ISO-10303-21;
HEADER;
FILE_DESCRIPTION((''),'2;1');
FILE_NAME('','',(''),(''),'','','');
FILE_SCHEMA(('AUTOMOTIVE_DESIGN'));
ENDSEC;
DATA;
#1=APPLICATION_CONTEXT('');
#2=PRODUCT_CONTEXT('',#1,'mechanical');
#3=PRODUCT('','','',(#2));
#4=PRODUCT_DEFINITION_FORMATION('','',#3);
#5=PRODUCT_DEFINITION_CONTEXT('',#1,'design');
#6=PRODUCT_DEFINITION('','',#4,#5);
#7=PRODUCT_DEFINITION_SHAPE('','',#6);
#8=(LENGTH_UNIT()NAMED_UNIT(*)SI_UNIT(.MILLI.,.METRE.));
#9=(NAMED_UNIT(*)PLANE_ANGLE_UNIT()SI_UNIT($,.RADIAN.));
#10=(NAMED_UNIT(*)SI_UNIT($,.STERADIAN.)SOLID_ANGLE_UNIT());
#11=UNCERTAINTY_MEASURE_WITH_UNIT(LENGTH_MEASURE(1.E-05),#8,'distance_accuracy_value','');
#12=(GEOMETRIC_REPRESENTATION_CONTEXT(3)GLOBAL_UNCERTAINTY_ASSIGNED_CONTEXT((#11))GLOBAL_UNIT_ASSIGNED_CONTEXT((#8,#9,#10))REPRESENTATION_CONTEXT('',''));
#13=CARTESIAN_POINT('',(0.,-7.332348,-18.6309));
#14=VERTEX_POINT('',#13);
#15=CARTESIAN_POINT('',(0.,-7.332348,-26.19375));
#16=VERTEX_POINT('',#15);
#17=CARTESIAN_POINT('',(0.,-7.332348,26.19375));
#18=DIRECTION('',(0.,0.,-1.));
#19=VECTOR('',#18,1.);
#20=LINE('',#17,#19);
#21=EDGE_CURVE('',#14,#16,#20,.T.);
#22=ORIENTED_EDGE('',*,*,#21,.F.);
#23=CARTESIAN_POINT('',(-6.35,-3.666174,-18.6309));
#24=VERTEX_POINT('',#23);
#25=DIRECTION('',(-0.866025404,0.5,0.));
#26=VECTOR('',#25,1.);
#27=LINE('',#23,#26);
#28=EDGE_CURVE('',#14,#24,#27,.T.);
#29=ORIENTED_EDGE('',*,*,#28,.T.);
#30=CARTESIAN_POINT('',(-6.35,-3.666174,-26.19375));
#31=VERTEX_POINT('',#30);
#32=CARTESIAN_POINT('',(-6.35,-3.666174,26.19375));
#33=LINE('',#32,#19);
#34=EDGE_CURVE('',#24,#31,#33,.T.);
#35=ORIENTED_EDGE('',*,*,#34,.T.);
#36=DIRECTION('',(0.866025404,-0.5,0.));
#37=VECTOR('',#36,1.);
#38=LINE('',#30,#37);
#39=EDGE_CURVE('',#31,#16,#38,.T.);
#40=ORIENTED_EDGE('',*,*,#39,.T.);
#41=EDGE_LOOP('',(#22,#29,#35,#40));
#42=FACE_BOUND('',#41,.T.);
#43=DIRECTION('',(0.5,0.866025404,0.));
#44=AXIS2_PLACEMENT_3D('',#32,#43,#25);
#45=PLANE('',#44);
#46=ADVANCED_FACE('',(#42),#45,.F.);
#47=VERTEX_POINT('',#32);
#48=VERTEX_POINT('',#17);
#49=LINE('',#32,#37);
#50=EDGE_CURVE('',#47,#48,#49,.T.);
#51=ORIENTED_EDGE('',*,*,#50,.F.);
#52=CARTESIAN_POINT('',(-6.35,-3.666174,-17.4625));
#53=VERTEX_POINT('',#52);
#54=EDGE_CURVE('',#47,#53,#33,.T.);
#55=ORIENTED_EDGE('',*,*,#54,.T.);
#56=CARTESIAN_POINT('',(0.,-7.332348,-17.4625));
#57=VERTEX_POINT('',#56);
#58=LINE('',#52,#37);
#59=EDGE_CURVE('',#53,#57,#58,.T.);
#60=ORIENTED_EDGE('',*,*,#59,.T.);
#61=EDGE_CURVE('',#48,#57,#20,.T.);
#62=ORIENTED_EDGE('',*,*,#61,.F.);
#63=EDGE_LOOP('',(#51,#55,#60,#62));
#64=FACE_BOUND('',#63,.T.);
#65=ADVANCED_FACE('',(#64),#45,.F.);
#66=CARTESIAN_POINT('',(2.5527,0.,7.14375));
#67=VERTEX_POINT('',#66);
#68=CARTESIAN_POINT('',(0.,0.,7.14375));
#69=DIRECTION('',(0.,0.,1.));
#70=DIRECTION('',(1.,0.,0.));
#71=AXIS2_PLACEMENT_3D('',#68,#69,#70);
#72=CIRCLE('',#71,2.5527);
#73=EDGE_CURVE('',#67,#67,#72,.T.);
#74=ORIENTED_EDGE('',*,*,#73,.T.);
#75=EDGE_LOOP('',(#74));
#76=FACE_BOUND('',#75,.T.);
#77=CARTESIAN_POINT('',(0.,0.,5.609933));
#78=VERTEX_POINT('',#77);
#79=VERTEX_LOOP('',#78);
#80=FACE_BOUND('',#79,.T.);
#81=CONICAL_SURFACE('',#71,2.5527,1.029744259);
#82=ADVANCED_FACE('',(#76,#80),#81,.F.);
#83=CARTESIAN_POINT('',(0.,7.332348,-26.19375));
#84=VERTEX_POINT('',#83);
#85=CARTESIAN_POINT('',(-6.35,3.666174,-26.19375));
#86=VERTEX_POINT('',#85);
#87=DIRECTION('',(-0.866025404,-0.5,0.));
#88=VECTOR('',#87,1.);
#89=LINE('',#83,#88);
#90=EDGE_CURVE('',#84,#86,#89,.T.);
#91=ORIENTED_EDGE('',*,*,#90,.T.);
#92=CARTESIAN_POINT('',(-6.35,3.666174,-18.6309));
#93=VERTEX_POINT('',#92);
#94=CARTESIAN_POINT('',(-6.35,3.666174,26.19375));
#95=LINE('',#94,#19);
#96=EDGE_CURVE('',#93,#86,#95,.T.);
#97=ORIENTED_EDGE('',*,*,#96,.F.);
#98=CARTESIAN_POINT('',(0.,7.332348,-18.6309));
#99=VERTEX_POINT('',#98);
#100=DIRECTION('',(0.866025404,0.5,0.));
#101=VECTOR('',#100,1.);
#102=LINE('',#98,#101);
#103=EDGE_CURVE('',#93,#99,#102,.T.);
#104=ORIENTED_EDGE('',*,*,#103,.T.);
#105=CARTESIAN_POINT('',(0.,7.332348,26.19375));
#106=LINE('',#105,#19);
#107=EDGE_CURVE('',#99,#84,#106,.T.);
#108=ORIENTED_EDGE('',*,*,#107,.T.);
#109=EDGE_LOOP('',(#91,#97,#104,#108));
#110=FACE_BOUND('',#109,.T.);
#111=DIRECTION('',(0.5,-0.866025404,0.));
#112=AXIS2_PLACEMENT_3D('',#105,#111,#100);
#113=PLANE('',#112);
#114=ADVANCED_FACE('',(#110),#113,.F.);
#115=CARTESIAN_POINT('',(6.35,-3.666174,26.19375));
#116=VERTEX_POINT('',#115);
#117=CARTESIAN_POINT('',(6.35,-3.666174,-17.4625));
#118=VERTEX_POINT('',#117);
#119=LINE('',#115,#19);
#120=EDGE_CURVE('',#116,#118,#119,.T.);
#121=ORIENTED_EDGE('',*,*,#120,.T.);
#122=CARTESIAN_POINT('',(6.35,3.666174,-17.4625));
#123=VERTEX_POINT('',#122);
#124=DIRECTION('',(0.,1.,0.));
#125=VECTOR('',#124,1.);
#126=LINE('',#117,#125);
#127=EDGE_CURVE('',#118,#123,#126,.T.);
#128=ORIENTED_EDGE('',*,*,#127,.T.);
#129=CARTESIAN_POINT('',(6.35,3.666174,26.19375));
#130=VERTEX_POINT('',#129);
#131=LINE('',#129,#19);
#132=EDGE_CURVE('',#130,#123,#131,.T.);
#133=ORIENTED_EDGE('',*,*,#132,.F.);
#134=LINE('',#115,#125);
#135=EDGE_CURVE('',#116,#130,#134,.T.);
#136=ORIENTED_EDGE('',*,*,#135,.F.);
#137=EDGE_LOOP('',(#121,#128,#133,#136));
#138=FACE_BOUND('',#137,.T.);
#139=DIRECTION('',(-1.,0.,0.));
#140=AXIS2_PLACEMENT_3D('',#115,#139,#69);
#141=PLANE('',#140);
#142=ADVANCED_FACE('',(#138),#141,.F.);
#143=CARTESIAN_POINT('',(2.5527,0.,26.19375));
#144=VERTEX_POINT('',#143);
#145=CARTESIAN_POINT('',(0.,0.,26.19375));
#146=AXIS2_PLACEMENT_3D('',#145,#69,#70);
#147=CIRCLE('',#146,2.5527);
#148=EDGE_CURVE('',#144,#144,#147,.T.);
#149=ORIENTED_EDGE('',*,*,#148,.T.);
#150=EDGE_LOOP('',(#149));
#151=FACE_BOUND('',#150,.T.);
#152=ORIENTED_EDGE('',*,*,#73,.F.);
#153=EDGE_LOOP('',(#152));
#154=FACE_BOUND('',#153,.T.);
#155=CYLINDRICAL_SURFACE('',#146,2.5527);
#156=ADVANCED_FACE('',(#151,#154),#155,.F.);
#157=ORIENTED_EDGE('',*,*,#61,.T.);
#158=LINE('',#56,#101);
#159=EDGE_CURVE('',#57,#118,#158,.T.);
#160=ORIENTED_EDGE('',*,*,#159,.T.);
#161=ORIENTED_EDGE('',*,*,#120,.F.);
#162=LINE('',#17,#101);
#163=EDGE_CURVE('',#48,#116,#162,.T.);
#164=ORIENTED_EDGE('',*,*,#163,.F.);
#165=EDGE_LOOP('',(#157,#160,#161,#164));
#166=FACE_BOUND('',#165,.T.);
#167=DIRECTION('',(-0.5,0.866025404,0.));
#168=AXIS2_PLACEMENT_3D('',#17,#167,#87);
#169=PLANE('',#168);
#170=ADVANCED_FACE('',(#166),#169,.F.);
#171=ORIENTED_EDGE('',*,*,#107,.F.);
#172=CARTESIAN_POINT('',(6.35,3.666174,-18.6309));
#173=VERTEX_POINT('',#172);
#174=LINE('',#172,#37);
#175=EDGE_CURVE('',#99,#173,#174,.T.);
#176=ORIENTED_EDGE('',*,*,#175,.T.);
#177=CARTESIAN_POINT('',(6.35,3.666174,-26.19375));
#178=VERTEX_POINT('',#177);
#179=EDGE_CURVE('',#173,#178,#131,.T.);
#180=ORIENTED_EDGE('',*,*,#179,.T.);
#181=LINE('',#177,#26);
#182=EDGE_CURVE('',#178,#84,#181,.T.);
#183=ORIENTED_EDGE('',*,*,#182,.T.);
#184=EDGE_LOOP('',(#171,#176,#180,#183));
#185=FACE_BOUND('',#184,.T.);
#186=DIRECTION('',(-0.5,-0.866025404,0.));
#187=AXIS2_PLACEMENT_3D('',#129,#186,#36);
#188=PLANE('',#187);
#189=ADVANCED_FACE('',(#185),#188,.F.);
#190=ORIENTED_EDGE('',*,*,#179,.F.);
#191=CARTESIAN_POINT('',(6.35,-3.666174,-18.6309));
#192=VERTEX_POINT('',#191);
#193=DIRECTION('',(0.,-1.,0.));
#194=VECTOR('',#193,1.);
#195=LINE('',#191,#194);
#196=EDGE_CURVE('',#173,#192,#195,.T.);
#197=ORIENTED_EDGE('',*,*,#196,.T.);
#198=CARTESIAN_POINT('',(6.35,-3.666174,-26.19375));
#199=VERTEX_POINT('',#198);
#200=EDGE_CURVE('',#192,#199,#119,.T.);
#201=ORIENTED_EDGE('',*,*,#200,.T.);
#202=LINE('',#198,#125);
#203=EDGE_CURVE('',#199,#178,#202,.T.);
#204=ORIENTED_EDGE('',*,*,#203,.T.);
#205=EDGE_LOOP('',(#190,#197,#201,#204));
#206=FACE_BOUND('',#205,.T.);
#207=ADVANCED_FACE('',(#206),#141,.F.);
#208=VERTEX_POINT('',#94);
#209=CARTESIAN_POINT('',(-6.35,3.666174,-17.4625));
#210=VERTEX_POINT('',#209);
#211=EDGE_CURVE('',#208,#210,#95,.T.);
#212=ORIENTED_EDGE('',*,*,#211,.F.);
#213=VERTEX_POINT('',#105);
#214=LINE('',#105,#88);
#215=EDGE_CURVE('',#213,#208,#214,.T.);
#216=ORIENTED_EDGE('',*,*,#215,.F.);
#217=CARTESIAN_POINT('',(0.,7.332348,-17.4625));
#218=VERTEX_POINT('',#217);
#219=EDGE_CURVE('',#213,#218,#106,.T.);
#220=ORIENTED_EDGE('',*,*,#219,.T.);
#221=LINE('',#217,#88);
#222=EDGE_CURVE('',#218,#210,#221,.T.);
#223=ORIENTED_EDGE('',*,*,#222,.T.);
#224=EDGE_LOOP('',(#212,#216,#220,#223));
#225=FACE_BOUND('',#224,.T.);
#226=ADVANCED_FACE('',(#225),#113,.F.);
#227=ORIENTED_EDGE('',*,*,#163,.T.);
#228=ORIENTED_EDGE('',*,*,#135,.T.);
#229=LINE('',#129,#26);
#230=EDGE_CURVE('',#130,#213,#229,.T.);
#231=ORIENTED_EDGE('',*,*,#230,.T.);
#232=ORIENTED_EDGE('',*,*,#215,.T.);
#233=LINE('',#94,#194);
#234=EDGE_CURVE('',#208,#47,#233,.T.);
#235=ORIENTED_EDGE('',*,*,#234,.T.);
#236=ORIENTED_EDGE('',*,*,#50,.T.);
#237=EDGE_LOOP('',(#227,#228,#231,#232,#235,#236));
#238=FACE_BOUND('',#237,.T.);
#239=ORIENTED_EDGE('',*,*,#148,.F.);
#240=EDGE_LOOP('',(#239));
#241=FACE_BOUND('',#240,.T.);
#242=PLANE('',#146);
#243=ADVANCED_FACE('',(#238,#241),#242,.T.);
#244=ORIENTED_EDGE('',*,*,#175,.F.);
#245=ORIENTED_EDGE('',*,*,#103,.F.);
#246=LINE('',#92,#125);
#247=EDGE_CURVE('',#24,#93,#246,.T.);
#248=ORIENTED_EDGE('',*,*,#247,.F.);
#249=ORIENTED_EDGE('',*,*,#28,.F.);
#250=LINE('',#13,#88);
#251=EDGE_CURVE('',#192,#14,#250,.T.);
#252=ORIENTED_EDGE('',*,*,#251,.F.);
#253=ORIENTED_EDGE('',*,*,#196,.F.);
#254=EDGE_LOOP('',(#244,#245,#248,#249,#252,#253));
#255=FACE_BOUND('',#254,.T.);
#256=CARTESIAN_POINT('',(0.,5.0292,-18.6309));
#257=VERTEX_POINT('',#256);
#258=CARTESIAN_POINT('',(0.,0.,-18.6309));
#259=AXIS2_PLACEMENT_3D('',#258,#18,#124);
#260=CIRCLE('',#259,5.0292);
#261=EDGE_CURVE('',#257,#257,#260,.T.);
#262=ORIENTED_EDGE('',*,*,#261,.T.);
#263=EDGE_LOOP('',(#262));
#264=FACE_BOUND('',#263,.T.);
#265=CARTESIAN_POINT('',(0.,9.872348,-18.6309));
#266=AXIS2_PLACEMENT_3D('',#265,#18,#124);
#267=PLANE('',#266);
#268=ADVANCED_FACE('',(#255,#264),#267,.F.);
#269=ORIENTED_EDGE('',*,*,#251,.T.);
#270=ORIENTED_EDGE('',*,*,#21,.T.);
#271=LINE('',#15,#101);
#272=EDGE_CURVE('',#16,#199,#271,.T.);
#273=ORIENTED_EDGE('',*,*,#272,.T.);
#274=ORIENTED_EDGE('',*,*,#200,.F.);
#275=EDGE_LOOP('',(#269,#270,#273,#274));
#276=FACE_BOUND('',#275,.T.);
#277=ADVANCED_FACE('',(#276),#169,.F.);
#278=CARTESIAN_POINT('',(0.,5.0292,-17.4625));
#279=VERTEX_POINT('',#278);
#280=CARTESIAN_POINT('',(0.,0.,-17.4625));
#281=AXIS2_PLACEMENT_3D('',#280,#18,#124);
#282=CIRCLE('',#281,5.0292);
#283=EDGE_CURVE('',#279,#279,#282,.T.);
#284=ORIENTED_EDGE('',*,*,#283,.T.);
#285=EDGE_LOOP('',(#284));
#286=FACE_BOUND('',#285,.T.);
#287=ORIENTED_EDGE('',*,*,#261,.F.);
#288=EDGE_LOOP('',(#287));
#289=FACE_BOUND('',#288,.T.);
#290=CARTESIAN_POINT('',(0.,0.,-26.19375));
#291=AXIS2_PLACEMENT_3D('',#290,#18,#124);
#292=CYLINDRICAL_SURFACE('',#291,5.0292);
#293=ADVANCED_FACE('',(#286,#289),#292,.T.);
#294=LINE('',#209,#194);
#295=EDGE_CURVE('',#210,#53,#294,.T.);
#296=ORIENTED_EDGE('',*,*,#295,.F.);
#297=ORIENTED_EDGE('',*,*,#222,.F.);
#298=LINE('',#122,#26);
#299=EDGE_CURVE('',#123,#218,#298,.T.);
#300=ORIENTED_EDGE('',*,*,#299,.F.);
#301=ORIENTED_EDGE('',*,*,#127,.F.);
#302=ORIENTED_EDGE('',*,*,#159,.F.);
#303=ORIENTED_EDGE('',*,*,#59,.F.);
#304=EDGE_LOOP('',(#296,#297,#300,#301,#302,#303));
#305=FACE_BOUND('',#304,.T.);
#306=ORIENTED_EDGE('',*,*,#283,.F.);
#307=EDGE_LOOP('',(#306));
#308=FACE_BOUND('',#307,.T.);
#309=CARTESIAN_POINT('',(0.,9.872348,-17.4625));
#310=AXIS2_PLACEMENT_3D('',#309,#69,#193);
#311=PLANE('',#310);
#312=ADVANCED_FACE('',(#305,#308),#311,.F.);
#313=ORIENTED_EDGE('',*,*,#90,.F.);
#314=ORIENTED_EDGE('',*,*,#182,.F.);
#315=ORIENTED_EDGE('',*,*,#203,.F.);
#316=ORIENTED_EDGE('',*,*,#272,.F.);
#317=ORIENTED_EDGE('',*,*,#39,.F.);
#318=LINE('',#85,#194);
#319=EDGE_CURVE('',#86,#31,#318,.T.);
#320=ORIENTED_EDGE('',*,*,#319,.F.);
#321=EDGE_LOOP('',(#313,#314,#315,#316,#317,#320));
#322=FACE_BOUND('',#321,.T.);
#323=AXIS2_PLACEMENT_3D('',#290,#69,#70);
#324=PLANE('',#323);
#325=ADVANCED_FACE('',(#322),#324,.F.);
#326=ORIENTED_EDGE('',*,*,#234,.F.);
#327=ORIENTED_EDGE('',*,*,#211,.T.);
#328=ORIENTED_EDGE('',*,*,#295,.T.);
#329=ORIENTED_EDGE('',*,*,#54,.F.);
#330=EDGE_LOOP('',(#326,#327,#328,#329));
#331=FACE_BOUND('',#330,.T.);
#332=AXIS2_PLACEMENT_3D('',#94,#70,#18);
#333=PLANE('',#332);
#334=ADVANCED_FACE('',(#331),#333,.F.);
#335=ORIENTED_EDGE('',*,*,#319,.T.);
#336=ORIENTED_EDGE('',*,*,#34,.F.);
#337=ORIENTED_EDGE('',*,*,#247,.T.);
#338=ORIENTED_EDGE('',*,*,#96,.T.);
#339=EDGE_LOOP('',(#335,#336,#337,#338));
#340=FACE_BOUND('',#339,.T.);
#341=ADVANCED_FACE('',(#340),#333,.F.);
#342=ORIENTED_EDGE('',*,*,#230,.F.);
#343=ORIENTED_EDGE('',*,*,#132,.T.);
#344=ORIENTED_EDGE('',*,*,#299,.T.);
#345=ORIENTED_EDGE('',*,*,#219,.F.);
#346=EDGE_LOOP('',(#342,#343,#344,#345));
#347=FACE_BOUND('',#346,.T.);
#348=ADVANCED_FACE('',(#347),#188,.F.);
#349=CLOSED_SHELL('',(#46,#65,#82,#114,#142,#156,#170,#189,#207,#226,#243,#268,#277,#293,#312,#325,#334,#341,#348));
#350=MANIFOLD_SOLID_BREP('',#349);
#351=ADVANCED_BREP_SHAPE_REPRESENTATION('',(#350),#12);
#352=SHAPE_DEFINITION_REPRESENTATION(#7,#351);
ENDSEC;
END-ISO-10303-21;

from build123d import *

# Parameters (mm, degrees)
BOSS_EXTRUDE1_DEPTH         = 26.19375
F_1_4_20_TAPPED_HOLE1_D     = 5.1054
F_1_4_20_TAPPED_HOLE1_DEPTH = 19.05
F_1_4_20_TAPPED_HOLE1_TIP   = 1.533816902
SKETCH5_W                   = 1.1684
SKETCH5_H                   = 4.843148419


with BuildPart() as part:
    # Sketch1 → Boss-Extrude1 (new body, symmetric)
    with BuildSketch(Plane.XY):
        Polygon((-6.35, 3.666174209), (-6.35, -3.666174209), (0, -7.332348419), (6.35, -3.666174209), (6.35, 3.666174209), (0, 7.332348419), align=None)
    extrude(amount=BOSS_EXTRUDE1_DEPTH, both=True)

    # 1/4-20 Tapped Hole1
    with Locations(Plane.XY.offset(26.19375)):
        with Locations((0, 0)):
            Hole(F_1_4_20_TAPPED_HOLE1_D / 2, depth=F_1_4_20_TAPPED_HOLE1_DEPTH)
            with Locations((0, 0, -(F_1_4_20_TAPPED_HOLE1_DEPTH + F_1_4_20_TAPPED_HOLE1_TIP / 2))):  # 118° drill point
                Cone(0, F_1_4_20_TAPPED_HOLE1_D / 2, F_1_4_20_TAPPED_HOLE1_TIP, mode=Mode.SUBTRACT)

    # Sketch5 → Cut-Revolve1 (revolve, cut)
    with BuildSketch(Plane(origin=(0, 0, 0), x_dir=(0, 0, -1), z_dir=(1, 0, 0))):
        with Locations((18.0467, 7.45077421)):
            Rectangle(SKETCH5_W, SKETCH5_H)
    revolve(axis=Axis((0, 0, -26.19375), (0, 0, 1)), mode=Mode.SUBTRACT)


solid = part.part
